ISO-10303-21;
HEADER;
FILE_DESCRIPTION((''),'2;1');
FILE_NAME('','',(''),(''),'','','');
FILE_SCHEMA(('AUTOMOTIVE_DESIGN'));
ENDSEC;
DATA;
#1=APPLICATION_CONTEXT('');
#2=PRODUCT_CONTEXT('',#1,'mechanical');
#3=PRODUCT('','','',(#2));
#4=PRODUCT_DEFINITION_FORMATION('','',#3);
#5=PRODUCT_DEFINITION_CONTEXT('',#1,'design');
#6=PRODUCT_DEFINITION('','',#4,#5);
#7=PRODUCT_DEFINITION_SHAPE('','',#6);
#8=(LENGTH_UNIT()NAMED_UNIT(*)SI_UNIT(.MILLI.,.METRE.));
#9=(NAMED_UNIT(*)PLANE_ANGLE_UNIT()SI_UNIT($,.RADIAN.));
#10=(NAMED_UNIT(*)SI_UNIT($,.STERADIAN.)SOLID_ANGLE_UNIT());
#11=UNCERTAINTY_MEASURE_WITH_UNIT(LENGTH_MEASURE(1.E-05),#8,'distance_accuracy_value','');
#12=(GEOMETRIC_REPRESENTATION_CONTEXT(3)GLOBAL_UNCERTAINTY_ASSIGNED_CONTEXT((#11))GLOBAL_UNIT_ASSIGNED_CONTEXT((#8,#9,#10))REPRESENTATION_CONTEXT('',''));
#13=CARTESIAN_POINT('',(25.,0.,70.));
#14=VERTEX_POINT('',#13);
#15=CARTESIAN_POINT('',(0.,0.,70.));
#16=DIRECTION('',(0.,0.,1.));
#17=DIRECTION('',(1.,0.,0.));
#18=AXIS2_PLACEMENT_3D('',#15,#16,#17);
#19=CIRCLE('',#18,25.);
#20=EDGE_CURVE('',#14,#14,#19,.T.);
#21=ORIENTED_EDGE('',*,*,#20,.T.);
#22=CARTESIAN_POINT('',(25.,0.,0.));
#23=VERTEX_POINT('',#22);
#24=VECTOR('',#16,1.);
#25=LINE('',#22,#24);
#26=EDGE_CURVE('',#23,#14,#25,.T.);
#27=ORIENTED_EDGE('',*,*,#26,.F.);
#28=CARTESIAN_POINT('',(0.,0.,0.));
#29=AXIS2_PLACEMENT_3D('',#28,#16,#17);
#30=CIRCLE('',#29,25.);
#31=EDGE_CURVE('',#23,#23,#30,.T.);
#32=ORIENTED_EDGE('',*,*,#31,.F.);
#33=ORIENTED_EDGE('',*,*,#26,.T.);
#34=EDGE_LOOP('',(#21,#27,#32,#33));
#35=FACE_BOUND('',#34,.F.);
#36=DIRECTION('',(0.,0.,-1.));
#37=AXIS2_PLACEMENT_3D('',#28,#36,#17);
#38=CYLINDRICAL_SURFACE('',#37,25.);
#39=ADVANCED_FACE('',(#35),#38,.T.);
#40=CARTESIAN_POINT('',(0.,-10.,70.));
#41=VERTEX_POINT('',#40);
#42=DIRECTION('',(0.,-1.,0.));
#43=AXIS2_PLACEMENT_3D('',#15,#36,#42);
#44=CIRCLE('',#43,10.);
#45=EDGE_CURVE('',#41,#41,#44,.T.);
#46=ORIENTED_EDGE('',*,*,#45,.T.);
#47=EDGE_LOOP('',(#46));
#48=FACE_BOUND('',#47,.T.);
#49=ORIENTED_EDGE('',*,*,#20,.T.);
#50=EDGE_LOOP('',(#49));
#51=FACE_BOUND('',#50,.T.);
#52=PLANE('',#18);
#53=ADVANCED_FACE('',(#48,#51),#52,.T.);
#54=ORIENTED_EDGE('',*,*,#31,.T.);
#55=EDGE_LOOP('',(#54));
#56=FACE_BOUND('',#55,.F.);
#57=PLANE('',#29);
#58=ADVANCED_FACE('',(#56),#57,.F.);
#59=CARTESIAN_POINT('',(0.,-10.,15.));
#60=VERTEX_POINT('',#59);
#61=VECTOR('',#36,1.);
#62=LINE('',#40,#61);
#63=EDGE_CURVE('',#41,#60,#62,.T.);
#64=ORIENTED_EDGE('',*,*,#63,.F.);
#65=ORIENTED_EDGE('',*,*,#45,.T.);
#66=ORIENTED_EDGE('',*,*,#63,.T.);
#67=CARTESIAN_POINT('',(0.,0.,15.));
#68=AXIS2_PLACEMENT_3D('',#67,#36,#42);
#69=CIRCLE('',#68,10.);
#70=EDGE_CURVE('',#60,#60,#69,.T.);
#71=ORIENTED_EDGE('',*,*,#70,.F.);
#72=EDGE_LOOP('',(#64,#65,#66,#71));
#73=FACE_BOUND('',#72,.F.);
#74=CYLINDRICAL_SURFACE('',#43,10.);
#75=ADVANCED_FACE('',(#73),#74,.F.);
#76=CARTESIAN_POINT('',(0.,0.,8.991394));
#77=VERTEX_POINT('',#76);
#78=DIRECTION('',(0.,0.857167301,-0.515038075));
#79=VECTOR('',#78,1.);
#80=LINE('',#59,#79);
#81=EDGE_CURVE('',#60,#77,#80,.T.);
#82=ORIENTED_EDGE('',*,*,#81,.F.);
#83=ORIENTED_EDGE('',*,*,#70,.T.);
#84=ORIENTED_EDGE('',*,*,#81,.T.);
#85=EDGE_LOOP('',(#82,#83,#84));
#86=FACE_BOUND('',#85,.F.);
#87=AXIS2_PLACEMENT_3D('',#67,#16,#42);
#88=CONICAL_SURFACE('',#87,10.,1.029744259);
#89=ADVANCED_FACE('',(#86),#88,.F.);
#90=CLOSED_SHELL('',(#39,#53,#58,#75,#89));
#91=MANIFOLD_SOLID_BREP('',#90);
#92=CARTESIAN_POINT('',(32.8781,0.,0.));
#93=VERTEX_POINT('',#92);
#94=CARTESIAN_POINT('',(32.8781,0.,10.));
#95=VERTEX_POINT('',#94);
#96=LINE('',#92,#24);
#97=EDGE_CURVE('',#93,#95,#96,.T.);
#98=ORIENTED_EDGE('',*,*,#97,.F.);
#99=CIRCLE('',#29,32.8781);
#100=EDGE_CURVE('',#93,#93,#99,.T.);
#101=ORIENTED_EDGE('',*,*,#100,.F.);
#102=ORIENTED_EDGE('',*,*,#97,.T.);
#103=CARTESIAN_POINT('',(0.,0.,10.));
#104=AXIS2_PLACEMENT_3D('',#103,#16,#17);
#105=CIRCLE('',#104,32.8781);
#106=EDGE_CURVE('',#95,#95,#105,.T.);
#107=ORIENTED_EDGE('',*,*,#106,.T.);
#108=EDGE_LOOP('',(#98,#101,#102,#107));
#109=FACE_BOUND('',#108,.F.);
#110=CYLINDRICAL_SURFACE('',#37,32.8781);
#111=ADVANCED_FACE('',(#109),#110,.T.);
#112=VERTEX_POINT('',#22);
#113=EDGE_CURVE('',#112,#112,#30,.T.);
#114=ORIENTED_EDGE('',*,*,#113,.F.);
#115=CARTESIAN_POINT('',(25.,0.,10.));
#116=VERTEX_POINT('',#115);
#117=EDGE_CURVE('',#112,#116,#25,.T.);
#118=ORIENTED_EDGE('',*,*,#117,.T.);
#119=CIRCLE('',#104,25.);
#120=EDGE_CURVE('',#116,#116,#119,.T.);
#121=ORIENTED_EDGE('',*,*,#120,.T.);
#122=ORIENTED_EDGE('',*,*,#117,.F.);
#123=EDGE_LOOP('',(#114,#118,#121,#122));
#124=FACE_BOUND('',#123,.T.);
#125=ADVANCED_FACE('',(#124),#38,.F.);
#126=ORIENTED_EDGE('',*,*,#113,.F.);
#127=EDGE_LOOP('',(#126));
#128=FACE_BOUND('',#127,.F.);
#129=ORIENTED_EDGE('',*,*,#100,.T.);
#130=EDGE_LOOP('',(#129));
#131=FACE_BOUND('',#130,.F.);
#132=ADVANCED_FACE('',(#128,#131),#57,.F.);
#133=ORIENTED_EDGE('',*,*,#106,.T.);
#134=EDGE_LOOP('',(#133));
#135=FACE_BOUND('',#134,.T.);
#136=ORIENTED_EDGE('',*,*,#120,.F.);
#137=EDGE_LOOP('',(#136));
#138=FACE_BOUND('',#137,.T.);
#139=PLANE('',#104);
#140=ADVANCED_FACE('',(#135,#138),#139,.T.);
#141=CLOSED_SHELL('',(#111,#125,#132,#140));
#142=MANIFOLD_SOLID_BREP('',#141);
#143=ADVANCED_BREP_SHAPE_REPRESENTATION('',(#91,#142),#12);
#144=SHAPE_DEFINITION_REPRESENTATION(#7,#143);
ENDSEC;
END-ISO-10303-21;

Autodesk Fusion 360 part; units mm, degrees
sketch "Sketch1" plane through (0, 0, 0) normal (0, 0, 1) x (1, 0, 0)
  circle A0 centre (0, 0) radius 25
  circle A1 centre (0, 0) radius 32.8781
  dimension "d1" = 50
  dimension "d10" = 7.8781
extrude "Extrude2" add sketch "Sketch1" along normal blind 10 makes body 1
extrude "Extrude1" add sketch "Sketch1" along normal blind 70 separate body contours A0 makes body 2
hole "Hole2" at (0, 0, 70) direction (0, 0, -1) diameter 20 depth 55 tip angle 118 bodies 2
hole "Hole1" [suppressed]
